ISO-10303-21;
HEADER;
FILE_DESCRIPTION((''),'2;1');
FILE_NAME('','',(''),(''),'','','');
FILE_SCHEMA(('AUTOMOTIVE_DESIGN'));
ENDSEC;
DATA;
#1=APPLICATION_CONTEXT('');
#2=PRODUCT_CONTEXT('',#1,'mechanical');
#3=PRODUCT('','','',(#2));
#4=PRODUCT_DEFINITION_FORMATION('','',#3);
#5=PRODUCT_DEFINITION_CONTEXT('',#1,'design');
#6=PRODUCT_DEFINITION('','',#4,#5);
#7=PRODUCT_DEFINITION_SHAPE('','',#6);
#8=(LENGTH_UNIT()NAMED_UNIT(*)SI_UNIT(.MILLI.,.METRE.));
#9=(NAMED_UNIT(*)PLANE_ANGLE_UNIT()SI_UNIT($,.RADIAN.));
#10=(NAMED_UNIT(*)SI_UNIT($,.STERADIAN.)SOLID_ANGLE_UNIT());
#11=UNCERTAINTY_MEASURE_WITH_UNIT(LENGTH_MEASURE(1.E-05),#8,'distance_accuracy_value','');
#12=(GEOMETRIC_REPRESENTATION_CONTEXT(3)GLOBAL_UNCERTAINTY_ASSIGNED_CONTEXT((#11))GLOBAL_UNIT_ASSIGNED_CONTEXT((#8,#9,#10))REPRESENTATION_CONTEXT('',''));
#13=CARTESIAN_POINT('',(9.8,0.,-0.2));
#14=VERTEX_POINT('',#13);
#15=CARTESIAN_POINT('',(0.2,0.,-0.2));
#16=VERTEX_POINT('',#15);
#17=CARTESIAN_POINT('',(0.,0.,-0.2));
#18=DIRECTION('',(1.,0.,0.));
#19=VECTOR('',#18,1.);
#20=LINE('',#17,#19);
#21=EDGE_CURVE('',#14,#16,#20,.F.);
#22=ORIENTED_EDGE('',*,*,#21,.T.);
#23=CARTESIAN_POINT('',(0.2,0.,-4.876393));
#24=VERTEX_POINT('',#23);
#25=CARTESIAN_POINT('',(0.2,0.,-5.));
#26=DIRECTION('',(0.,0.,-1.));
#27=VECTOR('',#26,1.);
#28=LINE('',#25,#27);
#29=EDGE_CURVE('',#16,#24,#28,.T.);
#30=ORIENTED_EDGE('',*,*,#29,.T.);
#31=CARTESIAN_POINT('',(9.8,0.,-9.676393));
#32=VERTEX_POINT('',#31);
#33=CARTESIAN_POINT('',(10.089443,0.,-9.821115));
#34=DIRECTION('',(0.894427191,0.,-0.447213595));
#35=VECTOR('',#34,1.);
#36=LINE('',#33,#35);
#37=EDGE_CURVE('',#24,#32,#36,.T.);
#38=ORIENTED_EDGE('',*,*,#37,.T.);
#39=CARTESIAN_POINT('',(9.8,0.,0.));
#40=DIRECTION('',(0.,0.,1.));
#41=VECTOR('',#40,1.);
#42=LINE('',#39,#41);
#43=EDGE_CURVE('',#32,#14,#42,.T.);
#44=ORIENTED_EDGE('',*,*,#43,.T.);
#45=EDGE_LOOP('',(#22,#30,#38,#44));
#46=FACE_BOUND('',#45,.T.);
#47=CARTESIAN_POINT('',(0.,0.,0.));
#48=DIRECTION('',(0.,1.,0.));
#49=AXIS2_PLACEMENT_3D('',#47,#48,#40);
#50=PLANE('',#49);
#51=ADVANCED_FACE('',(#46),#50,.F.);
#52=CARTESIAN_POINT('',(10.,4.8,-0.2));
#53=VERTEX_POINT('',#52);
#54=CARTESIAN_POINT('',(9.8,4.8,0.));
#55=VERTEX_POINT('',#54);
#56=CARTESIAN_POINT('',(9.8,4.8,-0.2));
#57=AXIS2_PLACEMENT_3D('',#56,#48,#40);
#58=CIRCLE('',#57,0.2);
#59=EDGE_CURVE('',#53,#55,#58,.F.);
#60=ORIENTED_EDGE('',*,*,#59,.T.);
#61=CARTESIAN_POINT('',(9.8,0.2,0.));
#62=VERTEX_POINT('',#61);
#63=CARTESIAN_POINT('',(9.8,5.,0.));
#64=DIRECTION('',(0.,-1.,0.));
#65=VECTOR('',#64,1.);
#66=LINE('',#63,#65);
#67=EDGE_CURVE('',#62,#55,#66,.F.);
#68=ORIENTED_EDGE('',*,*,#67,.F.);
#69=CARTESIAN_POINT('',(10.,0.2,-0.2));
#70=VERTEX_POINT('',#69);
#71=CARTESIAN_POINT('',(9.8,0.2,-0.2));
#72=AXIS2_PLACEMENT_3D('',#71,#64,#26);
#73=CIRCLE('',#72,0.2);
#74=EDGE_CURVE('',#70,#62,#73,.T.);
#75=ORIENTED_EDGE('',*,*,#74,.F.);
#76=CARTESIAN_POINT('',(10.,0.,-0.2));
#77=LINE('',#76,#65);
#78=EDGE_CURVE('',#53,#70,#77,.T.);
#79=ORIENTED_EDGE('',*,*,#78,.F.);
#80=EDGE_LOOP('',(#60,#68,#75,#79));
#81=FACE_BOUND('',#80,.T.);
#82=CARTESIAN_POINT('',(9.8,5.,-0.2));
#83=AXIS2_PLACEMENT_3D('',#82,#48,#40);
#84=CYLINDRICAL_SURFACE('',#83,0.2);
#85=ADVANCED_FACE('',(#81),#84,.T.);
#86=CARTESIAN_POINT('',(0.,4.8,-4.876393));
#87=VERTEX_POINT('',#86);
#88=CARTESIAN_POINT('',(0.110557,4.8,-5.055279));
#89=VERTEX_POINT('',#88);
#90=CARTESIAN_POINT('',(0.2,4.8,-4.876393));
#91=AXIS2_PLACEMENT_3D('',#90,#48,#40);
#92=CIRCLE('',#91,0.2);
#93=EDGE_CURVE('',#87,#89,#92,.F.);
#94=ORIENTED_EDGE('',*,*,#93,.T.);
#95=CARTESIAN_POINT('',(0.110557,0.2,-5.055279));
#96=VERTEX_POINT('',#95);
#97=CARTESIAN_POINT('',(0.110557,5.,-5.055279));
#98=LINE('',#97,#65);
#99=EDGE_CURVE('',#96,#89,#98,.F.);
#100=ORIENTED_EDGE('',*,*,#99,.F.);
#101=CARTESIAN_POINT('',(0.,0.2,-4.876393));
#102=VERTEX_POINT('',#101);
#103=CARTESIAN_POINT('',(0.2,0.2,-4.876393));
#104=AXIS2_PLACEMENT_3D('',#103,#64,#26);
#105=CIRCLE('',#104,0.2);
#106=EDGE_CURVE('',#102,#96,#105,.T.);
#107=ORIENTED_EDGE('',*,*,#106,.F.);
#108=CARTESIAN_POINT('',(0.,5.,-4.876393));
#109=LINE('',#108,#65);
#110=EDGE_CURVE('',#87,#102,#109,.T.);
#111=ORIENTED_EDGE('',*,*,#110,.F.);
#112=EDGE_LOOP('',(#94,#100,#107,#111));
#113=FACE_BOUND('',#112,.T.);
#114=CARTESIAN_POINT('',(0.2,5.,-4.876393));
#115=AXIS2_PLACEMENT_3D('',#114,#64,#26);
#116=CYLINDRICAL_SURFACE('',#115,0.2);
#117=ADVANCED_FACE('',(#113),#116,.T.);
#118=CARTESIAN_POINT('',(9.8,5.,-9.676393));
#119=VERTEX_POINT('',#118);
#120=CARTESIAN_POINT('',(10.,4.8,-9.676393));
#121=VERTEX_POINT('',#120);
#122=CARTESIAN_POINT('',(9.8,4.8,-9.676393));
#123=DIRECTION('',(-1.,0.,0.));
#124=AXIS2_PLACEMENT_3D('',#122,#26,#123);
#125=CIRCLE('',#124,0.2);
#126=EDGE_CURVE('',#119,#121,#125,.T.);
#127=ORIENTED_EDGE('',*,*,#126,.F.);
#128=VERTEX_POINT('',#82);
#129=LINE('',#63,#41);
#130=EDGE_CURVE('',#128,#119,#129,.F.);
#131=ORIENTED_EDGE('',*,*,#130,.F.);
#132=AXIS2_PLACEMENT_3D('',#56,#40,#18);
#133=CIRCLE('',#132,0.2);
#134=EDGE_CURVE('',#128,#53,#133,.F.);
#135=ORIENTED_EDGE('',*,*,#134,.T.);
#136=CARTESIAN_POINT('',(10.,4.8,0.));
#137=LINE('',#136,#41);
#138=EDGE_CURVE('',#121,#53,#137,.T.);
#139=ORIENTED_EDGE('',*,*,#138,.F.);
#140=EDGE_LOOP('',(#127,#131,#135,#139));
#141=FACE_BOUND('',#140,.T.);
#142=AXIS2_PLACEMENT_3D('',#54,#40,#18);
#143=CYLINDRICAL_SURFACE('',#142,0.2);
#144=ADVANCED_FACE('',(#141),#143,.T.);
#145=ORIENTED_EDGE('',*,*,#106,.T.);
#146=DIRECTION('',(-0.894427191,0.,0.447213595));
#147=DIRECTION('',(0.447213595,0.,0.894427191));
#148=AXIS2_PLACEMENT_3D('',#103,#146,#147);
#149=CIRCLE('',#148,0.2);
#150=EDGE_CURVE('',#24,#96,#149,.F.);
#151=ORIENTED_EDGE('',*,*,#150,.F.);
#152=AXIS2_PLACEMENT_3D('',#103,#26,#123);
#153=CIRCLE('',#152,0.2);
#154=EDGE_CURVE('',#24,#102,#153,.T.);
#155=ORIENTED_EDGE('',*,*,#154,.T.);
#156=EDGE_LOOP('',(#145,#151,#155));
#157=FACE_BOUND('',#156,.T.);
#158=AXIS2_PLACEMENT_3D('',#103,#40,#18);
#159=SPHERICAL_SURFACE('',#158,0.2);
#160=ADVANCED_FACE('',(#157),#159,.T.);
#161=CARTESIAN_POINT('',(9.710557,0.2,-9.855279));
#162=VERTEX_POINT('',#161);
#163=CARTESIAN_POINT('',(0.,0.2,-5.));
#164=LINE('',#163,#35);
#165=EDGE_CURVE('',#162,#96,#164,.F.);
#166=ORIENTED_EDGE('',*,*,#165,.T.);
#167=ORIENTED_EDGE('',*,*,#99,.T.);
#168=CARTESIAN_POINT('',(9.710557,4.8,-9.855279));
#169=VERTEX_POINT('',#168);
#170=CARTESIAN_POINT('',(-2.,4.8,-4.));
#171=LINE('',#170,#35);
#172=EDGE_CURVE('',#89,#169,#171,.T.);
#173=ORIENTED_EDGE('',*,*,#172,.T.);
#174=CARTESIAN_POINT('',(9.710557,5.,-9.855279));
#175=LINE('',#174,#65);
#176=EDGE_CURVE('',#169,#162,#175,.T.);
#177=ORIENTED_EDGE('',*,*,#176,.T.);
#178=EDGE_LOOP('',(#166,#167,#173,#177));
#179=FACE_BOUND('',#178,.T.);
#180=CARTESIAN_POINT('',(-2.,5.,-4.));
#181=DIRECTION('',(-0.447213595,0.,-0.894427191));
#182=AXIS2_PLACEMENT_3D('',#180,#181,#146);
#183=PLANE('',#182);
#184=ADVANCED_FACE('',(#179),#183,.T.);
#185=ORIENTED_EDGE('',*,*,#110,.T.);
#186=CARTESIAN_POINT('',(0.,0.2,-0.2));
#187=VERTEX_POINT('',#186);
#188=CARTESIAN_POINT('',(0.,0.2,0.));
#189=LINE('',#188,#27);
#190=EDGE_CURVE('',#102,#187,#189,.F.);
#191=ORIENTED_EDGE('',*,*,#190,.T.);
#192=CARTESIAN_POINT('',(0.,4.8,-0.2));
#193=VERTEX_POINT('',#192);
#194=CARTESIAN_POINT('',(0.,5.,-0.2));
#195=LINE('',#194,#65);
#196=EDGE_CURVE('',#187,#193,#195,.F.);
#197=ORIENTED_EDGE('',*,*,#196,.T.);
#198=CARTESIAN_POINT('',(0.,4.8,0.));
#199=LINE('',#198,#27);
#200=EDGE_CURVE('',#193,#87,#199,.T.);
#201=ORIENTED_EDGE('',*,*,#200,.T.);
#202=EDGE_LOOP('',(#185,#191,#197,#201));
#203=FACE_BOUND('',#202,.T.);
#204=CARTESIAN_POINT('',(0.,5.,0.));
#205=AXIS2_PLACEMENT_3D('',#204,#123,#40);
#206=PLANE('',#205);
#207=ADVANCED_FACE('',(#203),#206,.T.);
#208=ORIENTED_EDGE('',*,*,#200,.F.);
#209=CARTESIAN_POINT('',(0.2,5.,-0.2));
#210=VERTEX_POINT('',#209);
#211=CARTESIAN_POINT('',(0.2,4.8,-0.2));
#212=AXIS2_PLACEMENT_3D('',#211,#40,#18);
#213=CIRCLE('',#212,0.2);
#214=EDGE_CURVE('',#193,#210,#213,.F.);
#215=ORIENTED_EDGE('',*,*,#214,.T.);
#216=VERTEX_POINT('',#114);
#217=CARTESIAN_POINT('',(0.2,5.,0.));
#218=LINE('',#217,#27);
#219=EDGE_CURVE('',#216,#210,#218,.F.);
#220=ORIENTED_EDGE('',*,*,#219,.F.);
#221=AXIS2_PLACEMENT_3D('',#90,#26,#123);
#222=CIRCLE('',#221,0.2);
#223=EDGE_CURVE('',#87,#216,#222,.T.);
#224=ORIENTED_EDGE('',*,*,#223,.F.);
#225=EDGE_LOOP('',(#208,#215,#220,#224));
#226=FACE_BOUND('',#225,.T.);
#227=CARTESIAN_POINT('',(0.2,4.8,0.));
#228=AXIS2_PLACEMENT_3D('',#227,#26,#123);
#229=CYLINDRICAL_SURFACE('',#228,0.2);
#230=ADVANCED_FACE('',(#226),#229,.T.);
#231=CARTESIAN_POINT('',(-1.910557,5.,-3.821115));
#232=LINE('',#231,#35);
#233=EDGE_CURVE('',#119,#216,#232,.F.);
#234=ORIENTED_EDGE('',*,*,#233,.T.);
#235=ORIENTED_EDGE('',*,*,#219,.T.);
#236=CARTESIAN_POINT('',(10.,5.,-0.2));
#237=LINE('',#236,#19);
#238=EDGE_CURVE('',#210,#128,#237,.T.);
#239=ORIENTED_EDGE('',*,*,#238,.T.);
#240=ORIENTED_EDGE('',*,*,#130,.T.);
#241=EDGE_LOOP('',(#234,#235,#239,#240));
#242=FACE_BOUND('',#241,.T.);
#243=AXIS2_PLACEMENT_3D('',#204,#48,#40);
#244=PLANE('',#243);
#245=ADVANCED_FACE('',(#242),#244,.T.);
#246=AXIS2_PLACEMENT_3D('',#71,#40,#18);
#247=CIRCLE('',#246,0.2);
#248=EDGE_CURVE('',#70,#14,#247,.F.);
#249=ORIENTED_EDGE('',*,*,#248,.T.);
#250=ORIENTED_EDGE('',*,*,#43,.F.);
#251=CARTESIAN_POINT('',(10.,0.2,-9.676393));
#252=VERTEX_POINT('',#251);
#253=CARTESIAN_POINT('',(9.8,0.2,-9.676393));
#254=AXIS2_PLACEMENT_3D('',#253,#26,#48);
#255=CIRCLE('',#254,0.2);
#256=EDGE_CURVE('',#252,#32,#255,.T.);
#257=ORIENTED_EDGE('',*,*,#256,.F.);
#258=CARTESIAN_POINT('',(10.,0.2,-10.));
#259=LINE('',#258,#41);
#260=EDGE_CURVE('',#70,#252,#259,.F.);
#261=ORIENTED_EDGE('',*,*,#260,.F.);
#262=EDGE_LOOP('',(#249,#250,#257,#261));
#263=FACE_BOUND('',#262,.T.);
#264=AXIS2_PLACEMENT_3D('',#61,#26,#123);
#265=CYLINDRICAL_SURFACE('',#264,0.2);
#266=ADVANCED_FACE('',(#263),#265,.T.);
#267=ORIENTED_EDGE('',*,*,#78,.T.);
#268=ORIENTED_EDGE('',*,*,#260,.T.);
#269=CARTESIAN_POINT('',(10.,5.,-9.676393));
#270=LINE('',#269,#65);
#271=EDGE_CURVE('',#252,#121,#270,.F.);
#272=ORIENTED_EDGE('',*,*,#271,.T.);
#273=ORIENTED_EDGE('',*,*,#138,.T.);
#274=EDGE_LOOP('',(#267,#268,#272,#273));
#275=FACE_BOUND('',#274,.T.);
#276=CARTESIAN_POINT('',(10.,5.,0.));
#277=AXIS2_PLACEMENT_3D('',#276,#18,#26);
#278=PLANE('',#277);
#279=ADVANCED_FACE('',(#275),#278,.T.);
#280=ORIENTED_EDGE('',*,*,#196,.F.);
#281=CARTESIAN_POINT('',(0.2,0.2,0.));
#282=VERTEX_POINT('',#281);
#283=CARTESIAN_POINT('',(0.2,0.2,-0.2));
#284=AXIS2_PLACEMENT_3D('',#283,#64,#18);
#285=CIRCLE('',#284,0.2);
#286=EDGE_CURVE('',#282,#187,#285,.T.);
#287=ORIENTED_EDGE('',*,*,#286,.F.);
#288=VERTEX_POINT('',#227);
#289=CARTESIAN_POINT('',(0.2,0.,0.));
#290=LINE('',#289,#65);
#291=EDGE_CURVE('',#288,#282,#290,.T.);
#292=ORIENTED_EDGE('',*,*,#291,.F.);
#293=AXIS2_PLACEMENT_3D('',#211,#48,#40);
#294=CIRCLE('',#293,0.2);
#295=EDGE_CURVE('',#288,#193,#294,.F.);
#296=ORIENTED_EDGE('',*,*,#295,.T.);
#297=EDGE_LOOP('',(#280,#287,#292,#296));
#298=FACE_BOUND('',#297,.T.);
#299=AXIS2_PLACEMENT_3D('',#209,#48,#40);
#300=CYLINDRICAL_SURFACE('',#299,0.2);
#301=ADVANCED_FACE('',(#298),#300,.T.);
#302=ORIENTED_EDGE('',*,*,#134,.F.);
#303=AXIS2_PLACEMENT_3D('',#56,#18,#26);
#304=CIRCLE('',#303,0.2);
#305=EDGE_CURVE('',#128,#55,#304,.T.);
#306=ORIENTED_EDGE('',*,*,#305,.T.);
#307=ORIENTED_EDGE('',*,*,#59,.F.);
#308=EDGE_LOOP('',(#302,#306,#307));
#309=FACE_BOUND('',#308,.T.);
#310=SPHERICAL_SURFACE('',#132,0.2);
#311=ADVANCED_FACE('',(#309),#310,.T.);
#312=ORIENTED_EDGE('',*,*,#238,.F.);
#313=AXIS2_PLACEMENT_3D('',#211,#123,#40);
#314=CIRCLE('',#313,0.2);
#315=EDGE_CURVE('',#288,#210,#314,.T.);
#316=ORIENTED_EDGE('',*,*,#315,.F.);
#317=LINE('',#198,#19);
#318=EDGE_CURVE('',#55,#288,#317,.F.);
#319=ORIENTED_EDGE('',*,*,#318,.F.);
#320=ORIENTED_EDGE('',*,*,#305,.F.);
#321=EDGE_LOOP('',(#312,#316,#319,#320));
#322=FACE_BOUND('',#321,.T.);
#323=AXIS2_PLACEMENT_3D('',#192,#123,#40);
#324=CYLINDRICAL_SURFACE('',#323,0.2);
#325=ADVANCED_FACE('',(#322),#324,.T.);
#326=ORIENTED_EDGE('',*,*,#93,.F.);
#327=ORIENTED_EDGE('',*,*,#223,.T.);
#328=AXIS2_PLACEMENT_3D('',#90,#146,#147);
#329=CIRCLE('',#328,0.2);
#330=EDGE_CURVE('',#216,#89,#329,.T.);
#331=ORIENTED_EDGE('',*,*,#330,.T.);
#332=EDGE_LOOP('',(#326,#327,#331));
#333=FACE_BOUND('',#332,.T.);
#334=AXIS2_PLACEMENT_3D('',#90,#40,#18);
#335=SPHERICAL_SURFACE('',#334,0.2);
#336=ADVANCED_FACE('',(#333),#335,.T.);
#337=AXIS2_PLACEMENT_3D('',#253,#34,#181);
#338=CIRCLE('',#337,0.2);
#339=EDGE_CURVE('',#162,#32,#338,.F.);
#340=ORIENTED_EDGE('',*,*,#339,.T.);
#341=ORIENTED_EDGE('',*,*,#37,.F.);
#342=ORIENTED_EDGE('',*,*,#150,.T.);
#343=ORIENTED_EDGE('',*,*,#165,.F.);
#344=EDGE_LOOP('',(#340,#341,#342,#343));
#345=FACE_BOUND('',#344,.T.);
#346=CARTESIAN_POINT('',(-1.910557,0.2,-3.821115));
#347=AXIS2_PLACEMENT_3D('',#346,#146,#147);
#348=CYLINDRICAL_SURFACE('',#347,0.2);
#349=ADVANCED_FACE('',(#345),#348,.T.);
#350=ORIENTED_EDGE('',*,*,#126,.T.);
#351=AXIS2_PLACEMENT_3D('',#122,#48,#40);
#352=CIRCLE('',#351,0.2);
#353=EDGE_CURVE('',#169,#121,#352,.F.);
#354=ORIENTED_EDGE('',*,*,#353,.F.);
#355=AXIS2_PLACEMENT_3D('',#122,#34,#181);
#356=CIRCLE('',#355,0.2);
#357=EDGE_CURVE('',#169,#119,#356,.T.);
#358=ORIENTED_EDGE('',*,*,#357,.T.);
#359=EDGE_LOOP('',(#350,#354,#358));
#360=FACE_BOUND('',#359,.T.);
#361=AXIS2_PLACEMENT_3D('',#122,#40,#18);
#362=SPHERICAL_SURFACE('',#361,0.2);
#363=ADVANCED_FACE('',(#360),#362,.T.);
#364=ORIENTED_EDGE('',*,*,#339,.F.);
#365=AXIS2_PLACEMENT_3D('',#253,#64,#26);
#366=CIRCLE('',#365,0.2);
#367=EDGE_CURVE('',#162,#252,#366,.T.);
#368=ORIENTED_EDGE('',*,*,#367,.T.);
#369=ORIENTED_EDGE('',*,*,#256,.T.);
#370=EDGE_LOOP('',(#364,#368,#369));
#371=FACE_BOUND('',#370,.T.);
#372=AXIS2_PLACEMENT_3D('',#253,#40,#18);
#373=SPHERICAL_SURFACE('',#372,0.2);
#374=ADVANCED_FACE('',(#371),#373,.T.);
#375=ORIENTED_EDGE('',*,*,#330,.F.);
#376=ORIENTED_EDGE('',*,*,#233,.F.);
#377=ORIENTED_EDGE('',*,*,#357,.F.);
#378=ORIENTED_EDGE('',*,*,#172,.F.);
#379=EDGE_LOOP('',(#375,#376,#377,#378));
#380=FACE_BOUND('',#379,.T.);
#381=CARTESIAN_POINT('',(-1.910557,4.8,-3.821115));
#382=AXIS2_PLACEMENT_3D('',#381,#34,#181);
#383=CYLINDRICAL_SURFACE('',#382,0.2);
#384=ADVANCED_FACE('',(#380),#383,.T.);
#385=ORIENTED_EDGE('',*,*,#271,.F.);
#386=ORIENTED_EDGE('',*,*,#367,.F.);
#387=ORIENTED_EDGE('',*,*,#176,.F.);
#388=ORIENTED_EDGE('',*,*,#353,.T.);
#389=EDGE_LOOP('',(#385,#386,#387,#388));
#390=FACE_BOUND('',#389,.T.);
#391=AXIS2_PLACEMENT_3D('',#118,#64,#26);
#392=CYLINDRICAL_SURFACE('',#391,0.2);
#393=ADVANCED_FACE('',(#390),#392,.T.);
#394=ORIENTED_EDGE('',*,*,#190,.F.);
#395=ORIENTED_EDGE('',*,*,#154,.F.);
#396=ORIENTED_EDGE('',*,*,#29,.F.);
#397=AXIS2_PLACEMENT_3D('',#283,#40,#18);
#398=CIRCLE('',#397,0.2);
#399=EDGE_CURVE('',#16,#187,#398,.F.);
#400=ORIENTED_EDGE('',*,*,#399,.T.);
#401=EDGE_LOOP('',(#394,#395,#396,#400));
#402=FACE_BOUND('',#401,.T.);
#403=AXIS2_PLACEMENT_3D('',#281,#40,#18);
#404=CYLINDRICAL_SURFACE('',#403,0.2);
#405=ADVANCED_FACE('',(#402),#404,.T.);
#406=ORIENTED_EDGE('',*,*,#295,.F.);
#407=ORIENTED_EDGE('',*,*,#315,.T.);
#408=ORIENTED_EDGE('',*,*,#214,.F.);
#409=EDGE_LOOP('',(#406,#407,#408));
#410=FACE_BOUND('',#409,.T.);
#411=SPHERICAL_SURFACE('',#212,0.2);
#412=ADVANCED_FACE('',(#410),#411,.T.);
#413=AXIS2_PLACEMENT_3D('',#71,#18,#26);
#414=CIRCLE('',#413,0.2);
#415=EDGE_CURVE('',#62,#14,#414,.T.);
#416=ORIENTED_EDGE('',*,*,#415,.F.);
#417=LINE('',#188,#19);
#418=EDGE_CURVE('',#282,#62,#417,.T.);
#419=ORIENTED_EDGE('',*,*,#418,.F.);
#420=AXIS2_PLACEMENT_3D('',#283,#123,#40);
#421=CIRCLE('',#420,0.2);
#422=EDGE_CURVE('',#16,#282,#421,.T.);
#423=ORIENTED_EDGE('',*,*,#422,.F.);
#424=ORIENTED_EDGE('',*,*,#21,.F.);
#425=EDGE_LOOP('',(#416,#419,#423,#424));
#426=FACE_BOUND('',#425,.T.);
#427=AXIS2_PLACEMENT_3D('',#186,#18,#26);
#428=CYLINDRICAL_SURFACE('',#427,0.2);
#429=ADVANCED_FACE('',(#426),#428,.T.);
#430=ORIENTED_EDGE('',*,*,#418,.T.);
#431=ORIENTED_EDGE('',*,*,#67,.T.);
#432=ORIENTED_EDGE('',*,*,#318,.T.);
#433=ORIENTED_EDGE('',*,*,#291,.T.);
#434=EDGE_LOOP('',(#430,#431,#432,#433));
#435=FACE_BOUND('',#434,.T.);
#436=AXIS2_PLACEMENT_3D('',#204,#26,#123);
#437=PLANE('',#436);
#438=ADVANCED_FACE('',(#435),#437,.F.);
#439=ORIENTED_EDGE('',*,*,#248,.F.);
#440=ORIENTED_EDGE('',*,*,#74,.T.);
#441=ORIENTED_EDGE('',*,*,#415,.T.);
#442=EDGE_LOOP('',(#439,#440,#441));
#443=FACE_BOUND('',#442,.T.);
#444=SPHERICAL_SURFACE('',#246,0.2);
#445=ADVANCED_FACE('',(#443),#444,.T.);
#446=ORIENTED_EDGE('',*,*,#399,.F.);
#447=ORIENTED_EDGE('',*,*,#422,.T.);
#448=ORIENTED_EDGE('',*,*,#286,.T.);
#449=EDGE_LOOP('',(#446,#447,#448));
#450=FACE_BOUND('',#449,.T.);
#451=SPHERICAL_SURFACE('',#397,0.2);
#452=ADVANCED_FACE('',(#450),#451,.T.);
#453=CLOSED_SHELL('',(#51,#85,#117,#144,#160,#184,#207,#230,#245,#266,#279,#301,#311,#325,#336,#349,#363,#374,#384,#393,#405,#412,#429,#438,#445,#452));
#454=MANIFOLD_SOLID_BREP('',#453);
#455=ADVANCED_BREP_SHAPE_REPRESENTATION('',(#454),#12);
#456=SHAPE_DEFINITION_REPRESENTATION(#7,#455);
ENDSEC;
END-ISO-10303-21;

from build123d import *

# Parameters (mm, degrees)
SKETCH1_W           = 10
SKETCH1_H           = 5
BOSS_EXTRUDE1_DEPTH = 5
FILLET1_R           = 0.2


with BuildPart() as part:
    # Sketch1 → Boss-Extrude1 (new body)
    with BuildSketch(Plane(origin=(0, 0, 0), x_dir=(1, 0, 0), z_dir=(0, 1, 0))):
        Polygon((10, 10), (10, 5), (0, 5), align=None)
        with Locations((5, 2.5)):
            Rectangle(SKETCH1_W, SKETCH1_H)
    extrude(amount=BOSS_EXTRUDE1_DEPTH)

    # Fillet1
    fillet1_edges = [part.edges().sort_by_distance(p)[0] for p in [
        (5, 5, -7.5),
        (0, 5, -2.5),
        (5, 5, 0),
        (10, 5, -5),
        (5, 0, 0),
        (0, 0, -2.5),
        (5, 0, -7.5),
        (10, 0, -5),
        (10, 2.5, 0),
        (0, 2.5, 0),
        (0, 2.5, -5),
        (10, 2.5, -10),
    ]]
    fillet(fillet1_edges, radius=FILLET1_R)


solid = part.part
